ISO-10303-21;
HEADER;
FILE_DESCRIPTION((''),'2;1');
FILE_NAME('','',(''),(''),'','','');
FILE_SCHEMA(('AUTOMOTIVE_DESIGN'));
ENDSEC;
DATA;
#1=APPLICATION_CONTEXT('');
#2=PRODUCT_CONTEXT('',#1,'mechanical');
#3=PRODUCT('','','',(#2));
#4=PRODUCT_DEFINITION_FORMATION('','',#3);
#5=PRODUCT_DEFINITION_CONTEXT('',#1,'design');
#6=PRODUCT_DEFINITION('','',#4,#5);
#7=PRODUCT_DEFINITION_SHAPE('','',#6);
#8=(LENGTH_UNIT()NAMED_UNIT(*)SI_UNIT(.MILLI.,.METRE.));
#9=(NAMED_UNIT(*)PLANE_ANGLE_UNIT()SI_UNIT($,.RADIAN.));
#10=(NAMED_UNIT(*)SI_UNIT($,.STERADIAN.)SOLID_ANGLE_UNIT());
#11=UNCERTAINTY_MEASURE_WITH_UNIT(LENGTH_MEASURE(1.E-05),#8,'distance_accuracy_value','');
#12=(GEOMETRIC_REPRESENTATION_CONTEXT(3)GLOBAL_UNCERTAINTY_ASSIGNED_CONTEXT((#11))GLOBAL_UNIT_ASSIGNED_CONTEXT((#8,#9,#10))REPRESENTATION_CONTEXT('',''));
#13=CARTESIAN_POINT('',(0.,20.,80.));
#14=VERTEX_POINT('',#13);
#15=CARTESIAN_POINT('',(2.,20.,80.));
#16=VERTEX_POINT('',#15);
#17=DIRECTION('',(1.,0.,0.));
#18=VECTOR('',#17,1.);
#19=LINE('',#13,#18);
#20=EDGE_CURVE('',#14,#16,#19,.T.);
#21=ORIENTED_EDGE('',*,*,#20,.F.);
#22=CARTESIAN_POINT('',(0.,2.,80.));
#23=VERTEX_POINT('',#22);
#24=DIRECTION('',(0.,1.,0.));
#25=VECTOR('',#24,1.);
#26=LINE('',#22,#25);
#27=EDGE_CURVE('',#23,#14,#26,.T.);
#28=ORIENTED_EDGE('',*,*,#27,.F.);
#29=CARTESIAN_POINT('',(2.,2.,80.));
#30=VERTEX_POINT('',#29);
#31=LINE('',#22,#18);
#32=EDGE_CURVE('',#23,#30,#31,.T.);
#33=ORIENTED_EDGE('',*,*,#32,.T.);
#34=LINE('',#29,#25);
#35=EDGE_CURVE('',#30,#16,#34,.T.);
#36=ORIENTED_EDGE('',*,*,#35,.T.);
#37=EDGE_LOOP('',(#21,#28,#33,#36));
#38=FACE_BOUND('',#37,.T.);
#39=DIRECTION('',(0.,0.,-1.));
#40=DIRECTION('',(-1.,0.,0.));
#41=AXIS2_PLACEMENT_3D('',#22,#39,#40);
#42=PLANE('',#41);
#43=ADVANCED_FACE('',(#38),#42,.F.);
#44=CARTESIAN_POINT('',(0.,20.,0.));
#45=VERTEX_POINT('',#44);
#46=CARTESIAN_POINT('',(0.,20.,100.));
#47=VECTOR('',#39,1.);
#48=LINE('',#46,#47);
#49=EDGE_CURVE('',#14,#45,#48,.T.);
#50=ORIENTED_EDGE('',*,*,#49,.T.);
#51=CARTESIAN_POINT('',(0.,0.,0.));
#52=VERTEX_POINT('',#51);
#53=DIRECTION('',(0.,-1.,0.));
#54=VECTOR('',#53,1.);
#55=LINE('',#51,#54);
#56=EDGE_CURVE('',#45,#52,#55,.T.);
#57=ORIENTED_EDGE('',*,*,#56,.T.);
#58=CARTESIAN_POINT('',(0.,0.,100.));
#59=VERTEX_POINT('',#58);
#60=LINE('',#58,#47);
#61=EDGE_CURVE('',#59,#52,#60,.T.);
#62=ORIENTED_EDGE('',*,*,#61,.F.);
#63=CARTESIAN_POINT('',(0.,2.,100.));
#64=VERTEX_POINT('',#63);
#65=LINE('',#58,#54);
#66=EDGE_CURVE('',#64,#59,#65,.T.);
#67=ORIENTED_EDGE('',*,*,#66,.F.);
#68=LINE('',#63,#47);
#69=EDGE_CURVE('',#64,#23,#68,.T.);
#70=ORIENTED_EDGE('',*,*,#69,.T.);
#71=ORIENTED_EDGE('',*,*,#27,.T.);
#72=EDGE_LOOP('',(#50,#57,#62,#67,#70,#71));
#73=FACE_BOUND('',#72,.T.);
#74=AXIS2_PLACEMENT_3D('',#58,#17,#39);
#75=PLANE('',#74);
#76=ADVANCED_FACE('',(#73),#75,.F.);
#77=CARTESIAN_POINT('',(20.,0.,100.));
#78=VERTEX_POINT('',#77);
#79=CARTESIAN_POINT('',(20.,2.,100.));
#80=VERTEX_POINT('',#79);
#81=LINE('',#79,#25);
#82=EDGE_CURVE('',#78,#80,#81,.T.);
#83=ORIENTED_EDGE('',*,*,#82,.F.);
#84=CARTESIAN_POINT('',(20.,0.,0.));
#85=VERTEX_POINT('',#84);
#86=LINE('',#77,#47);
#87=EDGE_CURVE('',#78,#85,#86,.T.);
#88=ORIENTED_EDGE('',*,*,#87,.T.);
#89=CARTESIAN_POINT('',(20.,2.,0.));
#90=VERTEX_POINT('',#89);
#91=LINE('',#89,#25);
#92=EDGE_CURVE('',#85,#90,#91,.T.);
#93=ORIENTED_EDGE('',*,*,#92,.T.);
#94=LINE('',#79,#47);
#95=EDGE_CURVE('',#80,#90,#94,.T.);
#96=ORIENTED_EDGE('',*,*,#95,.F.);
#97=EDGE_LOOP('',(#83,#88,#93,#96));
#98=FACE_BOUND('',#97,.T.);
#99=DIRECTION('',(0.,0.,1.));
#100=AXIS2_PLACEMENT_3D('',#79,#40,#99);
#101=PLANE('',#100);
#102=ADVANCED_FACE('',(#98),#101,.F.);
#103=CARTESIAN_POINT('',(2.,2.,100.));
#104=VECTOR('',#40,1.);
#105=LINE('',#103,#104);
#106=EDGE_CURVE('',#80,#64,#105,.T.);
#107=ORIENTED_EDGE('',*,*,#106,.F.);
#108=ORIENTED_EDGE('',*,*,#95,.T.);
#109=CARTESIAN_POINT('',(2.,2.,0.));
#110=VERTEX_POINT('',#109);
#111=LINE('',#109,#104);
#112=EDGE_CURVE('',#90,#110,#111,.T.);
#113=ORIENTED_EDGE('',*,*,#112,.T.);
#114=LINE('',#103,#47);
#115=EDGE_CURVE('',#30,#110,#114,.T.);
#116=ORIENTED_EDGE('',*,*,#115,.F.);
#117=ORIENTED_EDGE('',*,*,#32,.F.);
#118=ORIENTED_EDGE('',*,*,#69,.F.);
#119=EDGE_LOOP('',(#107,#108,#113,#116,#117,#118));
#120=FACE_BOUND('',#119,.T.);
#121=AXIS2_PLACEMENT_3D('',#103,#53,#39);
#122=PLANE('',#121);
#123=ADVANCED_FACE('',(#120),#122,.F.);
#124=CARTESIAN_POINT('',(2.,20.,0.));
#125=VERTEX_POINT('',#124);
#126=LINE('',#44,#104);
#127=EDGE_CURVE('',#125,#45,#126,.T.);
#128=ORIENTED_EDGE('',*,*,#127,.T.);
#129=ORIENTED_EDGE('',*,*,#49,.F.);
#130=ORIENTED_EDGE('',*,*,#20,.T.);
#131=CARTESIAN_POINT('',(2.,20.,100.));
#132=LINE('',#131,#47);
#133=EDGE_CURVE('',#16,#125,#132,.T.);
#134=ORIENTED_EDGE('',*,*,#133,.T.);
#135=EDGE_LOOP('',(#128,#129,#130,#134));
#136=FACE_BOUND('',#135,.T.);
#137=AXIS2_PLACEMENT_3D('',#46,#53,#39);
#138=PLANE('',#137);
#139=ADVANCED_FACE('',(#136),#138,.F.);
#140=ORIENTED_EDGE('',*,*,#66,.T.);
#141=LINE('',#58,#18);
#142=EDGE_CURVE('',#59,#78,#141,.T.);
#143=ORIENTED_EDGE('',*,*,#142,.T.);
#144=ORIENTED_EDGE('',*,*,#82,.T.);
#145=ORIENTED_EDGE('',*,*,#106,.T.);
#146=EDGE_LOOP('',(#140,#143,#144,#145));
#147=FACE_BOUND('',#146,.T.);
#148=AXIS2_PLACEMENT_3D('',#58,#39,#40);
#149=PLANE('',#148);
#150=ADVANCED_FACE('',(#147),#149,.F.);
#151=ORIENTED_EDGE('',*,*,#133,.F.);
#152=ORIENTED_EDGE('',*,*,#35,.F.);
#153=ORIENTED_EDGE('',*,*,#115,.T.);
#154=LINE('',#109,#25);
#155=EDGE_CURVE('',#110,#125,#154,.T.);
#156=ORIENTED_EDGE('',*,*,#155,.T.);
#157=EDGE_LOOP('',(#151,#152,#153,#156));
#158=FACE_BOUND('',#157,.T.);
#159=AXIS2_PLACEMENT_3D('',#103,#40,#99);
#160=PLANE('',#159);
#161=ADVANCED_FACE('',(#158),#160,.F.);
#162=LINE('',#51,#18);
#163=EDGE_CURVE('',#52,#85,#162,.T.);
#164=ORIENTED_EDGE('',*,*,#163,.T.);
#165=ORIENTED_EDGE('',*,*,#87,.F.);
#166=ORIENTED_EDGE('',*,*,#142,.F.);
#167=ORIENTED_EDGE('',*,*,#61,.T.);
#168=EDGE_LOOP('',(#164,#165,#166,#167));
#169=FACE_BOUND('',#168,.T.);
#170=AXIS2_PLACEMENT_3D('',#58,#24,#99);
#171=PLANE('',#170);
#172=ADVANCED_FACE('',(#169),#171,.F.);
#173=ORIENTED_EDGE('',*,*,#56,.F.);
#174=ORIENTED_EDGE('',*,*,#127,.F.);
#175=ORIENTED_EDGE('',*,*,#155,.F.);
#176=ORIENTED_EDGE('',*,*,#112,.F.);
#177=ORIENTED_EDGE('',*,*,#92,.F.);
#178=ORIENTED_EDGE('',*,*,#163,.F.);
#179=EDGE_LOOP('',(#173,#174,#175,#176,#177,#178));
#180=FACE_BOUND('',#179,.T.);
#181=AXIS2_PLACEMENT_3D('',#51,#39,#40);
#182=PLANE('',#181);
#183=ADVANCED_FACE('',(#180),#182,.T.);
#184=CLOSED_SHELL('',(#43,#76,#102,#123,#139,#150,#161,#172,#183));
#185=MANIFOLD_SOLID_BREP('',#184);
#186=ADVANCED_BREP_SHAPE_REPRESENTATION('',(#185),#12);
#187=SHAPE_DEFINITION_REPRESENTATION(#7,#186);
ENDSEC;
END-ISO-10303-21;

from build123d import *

# Parameters (mm, degrees)
BOSS_EXTRUDE1_DEPTH = 100
SKETCH3_W           = 20
SKETCH3_H           = 18
CUT_EXTRUDE2_DEPTH  = 3


with BuildPart() as part:
    # Sketch1 → Boss-Extrude1 (new body)
    with BuildSketch(Plane.XY):
        Polygon((0, 0), (0, 20), (2, 20), (2, 2), (20, 2), (20, 0), align=None)
    extrude(amount=BOSS_EXTRUDE1_DEPTH)

    # Sketch3 → Cut-Extrude2 (cut, through all)
    with BuildSketch(Plane(origin=(2, 0, 0), x_dir=(0, 0, -1), z_dir=(1, 0, 0))):
        with Locations((-90, 11)):
            Rectangle(SKETCH3_W, SKETCH3_H)
    extrude(amount=-CUT_EXTRUDE2_DEPTH, mode=Mode.SUBTRACT)


solid = part.part
